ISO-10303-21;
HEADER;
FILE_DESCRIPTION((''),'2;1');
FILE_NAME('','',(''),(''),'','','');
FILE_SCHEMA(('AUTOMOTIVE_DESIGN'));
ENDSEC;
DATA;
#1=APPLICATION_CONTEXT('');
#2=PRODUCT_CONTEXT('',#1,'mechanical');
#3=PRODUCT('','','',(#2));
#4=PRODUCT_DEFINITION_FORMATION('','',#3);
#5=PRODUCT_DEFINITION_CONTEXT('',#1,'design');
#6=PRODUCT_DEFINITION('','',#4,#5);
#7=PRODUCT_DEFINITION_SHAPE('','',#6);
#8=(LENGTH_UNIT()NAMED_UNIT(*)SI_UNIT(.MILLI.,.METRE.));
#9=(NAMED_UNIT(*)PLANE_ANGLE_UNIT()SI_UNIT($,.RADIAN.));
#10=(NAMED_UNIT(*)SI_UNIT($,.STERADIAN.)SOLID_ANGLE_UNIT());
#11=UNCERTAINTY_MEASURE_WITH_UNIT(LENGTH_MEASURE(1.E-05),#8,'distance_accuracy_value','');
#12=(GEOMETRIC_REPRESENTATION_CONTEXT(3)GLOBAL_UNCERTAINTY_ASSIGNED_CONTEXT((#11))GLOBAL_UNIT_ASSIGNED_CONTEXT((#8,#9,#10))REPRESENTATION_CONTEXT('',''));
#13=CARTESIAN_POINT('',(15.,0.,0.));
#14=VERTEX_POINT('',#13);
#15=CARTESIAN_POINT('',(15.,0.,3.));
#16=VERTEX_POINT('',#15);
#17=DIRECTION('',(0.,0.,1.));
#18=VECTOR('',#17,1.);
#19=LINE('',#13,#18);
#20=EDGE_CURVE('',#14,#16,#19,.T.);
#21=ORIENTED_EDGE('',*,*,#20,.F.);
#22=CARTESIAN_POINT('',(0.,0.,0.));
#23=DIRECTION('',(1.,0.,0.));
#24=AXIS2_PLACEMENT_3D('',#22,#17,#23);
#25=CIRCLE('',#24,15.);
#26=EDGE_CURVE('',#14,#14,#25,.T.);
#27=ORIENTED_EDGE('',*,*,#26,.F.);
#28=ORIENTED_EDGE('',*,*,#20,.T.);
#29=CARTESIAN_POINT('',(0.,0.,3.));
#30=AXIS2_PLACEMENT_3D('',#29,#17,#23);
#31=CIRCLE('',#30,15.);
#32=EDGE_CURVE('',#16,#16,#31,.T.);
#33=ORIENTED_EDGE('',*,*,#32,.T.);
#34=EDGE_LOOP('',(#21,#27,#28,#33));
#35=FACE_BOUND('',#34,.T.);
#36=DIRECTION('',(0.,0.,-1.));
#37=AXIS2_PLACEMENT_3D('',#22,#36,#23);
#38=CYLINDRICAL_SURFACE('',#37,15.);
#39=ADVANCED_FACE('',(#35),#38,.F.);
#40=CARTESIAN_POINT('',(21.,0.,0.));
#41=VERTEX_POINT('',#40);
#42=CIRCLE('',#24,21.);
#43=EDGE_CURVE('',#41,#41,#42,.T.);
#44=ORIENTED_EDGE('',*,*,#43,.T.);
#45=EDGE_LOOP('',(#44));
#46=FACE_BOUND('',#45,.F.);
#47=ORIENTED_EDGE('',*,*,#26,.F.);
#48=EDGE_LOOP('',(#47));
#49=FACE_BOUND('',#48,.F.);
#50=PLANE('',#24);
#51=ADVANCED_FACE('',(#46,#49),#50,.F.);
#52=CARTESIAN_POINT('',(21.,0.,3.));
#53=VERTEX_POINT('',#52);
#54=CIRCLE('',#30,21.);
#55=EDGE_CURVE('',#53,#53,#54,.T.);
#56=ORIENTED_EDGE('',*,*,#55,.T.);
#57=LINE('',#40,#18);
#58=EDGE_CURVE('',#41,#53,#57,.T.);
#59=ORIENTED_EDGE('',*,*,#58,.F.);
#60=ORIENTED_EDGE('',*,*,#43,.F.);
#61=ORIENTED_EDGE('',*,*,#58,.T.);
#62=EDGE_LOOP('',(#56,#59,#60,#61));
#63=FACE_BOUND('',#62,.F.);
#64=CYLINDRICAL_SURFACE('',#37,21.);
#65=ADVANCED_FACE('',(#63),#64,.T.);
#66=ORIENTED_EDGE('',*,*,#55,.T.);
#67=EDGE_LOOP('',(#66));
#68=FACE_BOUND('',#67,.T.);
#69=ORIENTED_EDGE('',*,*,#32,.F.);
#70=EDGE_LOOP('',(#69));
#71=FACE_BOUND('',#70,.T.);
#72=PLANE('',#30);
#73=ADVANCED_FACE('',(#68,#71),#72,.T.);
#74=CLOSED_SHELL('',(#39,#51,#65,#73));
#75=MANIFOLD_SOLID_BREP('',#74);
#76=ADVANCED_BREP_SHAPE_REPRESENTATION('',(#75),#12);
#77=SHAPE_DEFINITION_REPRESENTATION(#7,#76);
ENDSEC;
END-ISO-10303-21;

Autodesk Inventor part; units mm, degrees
ref_plane "YZ Plane" through (0, 0, 0) normal (1, 0, 0) x (0, 1, 0)
ref_plane "XZ Plane" through (0, 0, 0) normal (0, 1, 0) x (-1, 0, 0)
ref_plane "XY Plane" through (0, 0, 0) normal (0, 0, 1) x (1, 0, 0)
sketch "草圖1" plane through (0, 0, 0) normal (0, 0, 1) x (1, 0, 0)
  circle A0 centre (0, 0) radius 21
  circle A1 centre (0, 0) radius 15
  dimension "d0" = 42
  dimension "d1" = 30
extrude "擠出1" add sketch "草圖1" along normal blind 3
